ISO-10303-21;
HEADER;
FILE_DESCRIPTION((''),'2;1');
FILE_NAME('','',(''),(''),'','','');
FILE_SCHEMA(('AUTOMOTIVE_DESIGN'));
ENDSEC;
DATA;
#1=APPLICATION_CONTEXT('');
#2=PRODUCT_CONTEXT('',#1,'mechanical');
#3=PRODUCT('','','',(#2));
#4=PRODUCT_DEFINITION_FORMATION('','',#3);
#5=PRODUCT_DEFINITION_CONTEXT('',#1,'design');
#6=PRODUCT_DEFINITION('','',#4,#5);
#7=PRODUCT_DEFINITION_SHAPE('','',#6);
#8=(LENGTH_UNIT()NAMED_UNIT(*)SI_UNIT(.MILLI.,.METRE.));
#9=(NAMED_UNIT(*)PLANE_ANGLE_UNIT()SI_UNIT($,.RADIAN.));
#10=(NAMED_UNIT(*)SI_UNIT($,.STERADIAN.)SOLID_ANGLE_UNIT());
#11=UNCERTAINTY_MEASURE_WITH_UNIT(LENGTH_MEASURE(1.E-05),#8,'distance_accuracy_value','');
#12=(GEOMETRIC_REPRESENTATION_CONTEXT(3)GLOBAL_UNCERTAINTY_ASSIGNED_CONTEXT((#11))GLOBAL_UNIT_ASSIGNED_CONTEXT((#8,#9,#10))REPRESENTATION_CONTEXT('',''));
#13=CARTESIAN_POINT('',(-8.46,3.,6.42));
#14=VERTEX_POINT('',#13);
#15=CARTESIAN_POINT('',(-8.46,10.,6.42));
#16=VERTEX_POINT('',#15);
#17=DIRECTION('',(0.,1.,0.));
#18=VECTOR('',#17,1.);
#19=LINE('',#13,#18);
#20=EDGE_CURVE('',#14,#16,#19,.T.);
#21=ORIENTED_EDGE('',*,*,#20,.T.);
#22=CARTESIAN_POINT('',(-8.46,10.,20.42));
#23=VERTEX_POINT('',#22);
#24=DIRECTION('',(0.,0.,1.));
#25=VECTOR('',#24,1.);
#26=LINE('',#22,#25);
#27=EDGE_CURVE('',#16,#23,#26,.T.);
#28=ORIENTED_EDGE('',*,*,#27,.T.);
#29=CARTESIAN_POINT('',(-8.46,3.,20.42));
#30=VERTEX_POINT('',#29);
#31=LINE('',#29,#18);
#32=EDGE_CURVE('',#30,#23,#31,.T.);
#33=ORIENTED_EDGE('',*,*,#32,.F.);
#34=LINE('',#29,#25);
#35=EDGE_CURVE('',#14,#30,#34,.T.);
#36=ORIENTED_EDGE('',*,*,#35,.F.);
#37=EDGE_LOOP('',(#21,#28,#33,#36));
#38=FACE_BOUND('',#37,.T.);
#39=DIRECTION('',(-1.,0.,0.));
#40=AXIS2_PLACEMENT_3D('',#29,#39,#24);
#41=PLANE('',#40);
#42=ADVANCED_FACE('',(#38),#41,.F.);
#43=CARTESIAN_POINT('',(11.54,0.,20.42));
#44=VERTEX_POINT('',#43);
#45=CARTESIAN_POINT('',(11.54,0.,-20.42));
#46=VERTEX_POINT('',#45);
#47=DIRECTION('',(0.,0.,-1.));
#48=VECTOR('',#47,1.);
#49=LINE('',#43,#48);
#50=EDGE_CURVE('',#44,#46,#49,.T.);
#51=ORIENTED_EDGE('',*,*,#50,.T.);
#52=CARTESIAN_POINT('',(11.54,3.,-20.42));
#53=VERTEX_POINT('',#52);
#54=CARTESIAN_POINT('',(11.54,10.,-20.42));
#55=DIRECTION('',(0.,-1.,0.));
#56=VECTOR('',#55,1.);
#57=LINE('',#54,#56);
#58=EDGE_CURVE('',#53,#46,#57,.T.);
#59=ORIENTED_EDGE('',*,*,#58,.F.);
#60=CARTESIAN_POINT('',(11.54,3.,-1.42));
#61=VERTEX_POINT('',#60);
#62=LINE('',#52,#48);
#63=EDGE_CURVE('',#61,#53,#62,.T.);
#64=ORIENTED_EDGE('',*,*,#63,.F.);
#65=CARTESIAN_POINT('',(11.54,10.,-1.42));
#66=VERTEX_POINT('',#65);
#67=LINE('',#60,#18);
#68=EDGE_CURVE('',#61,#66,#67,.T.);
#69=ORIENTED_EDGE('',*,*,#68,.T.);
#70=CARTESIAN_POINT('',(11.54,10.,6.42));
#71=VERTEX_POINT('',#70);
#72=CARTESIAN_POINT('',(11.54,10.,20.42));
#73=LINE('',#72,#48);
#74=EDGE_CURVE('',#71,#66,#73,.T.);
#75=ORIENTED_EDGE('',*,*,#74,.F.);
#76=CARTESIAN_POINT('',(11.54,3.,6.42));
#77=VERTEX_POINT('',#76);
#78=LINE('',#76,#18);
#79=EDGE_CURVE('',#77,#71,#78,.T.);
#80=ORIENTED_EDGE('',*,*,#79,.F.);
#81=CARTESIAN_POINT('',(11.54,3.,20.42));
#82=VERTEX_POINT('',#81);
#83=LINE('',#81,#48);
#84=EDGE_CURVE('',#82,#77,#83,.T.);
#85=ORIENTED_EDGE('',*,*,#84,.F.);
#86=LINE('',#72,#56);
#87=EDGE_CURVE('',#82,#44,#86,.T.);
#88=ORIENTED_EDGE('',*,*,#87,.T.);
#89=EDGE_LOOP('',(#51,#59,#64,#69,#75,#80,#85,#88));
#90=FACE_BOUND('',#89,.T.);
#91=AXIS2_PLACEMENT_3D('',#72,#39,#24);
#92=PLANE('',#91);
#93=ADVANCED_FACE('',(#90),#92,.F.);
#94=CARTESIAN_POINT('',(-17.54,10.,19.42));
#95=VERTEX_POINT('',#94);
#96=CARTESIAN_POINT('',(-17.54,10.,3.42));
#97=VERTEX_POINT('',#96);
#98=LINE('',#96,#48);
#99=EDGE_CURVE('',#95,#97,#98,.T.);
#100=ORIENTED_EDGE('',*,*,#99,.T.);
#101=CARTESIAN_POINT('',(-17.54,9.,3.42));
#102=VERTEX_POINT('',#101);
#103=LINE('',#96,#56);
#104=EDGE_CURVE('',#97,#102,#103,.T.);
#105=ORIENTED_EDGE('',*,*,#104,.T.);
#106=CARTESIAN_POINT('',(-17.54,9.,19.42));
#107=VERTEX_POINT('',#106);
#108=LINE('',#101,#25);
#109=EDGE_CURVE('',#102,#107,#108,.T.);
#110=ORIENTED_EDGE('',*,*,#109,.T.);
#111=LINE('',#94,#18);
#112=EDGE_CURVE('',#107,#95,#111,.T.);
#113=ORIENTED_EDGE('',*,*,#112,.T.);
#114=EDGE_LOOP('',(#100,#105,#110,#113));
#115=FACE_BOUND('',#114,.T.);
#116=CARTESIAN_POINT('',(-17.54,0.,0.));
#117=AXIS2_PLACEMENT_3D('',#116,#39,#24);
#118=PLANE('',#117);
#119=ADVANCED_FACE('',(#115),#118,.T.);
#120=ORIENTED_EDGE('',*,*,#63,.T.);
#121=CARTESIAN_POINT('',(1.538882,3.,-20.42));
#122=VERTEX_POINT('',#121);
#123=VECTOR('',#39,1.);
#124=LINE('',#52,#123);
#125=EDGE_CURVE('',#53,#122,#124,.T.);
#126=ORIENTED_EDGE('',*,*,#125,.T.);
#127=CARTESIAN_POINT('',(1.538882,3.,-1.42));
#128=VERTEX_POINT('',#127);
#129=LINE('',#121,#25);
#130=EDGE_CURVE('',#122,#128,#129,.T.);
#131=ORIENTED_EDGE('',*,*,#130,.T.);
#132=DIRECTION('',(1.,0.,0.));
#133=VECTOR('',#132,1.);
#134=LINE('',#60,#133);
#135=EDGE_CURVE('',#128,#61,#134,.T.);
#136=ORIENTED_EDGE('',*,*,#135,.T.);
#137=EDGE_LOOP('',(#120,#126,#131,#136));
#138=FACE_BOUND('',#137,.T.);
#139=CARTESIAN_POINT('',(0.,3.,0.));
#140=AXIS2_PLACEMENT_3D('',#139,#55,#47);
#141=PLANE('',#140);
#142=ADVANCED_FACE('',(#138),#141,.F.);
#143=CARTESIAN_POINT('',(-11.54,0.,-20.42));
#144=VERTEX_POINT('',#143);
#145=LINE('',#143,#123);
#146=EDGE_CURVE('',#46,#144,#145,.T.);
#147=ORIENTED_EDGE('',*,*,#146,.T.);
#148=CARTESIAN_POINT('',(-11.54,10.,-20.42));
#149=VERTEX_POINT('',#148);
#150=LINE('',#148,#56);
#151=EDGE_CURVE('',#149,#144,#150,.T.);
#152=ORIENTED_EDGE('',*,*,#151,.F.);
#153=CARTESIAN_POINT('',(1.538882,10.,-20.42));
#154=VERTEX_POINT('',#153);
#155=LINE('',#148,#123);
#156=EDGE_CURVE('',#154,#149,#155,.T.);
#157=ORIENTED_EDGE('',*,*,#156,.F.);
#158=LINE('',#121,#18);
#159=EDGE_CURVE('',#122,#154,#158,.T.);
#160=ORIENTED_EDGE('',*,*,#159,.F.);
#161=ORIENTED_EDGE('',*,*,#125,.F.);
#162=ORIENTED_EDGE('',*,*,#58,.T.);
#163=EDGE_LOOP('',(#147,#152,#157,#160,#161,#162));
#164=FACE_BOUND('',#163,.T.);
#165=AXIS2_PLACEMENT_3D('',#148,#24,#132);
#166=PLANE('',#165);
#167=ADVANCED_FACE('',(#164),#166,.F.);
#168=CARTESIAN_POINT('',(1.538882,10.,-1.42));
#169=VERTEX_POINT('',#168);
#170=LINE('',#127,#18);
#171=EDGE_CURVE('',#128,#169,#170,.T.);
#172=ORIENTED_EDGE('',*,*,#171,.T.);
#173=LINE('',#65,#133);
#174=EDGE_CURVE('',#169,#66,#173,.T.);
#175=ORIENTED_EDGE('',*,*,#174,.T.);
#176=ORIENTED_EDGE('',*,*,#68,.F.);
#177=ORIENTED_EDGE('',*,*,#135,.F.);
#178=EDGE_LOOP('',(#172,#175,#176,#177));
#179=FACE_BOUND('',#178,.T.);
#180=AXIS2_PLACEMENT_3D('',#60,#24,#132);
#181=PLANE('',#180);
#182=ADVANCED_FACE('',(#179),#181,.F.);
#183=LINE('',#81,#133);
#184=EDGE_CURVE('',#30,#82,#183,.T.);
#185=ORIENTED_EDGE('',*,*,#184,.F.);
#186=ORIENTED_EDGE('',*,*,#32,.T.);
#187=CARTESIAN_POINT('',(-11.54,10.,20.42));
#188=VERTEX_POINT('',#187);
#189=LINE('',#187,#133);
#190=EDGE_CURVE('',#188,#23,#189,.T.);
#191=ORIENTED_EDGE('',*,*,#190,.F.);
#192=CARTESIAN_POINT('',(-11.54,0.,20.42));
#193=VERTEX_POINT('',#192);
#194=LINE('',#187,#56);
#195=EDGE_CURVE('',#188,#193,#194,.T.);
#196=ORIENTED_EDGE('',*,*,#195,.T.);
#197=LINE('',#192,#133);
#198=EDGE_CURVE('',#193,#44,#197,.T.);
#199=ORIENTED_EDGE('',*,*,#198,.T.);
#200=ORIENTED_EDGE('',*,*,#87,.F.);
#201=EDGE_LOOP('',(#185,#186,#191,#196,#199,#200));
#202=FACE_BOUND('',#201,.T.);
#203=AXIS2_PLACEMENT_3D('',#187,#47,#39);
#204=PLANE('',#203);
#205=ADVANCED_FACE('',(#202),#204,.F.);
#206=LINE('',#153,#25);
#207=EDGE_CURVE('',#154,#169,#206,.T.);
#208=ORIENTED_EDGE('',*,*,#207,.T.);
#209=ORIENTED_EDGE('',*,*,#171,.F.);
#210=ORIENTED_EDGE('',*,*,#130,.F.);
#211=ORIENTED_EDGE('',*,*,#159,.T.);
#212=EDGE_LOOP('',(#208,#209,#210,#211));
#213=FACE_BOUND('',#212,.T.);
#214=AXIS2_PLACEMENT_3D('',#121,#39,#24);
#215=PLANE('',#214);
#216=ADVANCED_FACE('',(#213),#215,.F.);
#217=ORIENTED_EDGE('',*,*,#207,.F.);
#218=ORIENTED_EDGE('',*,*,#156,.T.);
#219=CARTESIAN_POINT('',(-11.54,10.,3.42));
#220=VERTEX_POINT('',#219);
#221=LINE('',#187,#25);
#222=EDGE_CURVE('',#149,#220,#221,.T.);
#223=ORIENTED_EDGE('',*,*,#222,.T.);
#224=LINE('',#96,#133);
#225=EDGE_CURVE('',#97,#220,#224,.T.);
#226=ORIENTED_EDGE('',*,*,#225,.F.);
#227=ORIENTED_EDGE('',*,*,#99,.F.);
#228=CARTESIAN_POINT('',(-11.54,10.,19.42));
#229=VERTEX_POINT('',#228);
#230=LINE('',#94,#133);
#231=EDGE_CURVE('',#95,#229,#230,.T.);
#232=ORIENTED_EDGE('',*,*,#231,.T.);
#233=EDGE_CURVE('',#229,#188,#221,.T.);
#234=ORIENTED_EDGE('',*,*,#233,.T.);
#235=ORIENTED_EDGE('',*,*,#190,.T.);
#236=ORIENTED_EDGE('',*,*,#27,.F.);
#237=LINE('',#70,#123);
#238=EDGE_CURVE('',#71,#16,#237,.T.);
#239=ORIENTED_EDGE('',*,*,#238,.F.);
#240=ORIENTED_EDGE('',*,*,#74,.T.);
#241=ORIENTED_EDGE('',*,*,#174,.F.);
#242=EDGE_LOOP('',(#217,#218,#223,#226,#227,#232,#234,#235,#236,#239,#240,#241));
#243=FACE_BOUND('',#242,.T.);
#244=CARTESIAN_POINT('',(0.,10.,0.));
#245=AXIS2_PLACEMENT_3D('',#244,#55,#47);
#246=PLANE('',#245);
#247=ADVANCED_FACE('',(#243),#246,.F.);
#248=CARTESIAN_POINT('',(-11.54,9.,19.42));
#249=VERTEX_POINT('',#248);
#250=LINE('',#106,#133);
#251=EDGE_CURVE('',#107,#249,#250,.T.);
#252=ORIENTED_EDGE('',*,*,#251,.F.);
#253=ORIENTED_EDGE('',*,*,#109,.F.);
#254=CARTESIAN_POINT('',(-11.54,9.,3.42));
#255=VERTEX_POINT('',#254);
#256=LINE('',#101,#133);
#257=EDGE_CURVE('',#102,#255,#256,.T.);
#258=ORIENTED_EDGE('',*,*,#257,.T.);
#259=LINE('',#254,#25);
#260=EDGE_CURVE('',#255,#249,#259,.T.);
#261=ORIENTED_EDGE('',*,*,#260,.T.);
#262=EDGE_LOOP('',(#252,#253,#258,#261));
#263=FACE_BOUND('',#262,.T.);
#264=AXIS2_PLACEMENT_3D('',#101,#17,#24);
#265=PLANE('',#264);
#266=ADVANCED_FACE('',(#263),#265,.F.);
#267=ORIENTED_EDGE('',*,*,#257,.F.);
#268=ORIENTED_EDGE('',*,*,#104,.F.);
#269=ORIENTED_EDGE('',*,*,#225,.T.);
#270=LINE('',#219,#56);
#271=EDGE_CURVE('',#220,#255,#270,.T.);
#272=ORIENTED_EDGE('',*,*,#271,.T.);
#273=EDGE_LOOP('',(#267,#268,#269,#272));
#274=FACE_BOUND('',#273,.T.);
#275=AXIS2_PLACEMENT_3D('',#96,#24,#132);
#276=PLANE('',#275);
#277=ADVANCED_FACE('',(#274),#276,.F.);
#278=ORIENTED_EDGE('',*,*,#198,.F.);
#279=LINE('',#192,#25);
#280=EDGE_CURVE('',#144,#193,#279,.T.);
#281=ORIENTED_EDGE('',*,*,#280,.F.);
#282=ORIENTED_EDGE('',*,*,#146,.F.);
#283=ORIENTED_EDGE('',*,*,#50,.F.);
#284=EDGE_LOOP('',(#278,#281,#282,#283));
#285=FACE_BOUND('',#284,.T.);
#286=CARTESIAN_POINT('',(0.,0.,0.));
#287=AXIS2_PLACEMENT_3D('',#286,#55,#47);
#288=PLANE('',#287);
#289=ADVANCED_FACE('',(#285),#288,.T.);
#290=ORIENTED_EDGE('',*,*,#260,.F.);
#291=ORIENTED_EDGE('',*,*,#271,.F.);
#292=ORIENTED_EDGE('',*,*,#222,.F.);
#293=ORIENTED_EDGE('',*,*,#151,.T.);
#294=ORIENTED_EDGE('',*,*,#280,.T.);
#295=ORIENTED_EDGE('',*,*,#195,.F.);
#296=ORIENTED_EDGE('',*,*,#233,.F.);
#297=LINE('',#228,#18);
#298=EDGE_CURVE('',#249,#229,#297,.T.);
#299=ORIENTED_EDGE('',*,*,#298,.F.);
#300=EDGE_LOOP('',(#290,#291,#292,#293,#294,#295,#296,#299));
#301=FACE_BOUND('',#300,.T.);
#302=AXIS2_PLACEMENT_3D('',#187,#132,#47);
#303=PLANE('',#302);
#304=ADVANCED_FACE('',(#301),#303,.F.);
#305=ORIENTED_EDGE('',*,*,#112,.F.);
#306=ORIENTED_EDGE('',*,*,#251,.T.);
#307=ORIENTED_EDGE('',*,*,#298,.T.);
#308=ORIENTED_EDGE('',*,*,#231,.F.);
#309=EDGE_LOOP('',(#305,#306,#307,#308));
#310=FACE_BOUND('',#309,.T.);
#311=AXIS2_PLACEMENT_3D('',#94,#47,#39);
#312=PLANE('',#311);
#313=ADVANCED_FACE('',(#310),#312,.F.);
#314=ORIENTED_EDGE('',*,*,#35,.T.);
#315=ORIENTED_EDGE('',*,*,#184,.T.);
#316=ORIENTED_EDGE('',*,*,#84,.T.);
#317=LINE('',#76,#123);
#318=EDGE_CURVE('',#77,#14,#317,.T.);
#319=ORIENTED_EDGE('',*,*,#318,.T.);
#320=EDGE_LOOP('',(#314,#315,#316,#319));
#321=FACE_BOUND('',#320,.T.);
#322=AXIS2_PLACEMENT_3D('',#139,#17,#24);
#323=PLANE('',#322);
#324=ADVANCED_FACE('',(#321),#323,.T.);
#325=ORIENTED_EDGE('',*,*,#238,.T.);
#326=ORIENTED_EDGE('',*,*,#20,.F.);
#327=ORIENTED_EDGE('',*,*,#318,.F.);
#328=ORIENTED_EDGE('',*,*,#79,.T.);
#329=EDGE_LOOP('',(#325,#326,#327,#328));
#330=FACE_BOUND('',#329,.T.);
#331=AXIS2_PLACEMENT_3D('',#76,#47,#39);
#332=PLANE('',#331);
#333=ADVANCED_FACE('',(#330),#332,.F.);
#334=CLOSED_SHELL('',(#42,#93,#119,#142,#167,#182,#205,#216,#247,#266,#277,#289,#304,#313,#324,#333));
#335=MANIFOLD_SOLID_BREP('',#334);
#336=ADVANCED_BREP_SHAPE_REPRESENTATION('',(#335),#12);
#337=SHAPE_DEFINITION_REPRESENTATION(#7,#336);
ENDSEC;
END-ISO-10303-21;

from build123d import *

# Parameters (mm, degrees)
MAINBODY_DWG_W  = 23.08
MAINBODY_DWG_H  = 40.84
MAIN_BODY_DEPTH = 10
PINS_DWG_W      = 16
PINS_DWG_H      = 1
PINS_DEPTH      = 6
RELIEF_DWG_W    = 10.001117723
RELIEF_DWG_H    = 19
RELIEF_DWG_W_2  = 20
RELIEF_DWG_H_2  = 14
RELIEF_DEPTH    = 7


with BuildPart() as part:
    # MAINBODY_DWG → MAIN_BODY (new body)
    with BuildSketch(Plane(origin=(0, 0, 0), x_dir=(1, 0, 0), z_dir=(0, 1, 0))):
        Rectangle(MAINBODY_DWG_W, MAINBODY_DWG_H)
    extrude(amount=MAIN_BODY_DEPTH)

    # PINS_DWG → PINS (add)
    with BuildSketch(Plane.ZY.offset(11.54)):
        with Locations((11.42, 9.5)):
            Rectangle(PINS_DWG_W, PINS_DWG_H)
    extrude(amount=PINS_DEPTH)

    # RELIEF_DWG → RELIEF (cut)
    with BuildSketch(Plane(origin=(0, 10, 0), x_dir=(1, 0, 0), z_dir=(0, 1, 0))):
        with Locations((6.539441139, 10.92)):
            Rectangle(RELIEF_DWG_W, RELIEF_DWG_H)
        with Locations((1.54, -13.42)):
            Rectangle(RELIEF_DWG_W_2, RELIEF_DWG_H_2)
    extrude(amount=-RELIEF_DEPTH, mode=Mode.SUBTRACT)


solid = part.part
